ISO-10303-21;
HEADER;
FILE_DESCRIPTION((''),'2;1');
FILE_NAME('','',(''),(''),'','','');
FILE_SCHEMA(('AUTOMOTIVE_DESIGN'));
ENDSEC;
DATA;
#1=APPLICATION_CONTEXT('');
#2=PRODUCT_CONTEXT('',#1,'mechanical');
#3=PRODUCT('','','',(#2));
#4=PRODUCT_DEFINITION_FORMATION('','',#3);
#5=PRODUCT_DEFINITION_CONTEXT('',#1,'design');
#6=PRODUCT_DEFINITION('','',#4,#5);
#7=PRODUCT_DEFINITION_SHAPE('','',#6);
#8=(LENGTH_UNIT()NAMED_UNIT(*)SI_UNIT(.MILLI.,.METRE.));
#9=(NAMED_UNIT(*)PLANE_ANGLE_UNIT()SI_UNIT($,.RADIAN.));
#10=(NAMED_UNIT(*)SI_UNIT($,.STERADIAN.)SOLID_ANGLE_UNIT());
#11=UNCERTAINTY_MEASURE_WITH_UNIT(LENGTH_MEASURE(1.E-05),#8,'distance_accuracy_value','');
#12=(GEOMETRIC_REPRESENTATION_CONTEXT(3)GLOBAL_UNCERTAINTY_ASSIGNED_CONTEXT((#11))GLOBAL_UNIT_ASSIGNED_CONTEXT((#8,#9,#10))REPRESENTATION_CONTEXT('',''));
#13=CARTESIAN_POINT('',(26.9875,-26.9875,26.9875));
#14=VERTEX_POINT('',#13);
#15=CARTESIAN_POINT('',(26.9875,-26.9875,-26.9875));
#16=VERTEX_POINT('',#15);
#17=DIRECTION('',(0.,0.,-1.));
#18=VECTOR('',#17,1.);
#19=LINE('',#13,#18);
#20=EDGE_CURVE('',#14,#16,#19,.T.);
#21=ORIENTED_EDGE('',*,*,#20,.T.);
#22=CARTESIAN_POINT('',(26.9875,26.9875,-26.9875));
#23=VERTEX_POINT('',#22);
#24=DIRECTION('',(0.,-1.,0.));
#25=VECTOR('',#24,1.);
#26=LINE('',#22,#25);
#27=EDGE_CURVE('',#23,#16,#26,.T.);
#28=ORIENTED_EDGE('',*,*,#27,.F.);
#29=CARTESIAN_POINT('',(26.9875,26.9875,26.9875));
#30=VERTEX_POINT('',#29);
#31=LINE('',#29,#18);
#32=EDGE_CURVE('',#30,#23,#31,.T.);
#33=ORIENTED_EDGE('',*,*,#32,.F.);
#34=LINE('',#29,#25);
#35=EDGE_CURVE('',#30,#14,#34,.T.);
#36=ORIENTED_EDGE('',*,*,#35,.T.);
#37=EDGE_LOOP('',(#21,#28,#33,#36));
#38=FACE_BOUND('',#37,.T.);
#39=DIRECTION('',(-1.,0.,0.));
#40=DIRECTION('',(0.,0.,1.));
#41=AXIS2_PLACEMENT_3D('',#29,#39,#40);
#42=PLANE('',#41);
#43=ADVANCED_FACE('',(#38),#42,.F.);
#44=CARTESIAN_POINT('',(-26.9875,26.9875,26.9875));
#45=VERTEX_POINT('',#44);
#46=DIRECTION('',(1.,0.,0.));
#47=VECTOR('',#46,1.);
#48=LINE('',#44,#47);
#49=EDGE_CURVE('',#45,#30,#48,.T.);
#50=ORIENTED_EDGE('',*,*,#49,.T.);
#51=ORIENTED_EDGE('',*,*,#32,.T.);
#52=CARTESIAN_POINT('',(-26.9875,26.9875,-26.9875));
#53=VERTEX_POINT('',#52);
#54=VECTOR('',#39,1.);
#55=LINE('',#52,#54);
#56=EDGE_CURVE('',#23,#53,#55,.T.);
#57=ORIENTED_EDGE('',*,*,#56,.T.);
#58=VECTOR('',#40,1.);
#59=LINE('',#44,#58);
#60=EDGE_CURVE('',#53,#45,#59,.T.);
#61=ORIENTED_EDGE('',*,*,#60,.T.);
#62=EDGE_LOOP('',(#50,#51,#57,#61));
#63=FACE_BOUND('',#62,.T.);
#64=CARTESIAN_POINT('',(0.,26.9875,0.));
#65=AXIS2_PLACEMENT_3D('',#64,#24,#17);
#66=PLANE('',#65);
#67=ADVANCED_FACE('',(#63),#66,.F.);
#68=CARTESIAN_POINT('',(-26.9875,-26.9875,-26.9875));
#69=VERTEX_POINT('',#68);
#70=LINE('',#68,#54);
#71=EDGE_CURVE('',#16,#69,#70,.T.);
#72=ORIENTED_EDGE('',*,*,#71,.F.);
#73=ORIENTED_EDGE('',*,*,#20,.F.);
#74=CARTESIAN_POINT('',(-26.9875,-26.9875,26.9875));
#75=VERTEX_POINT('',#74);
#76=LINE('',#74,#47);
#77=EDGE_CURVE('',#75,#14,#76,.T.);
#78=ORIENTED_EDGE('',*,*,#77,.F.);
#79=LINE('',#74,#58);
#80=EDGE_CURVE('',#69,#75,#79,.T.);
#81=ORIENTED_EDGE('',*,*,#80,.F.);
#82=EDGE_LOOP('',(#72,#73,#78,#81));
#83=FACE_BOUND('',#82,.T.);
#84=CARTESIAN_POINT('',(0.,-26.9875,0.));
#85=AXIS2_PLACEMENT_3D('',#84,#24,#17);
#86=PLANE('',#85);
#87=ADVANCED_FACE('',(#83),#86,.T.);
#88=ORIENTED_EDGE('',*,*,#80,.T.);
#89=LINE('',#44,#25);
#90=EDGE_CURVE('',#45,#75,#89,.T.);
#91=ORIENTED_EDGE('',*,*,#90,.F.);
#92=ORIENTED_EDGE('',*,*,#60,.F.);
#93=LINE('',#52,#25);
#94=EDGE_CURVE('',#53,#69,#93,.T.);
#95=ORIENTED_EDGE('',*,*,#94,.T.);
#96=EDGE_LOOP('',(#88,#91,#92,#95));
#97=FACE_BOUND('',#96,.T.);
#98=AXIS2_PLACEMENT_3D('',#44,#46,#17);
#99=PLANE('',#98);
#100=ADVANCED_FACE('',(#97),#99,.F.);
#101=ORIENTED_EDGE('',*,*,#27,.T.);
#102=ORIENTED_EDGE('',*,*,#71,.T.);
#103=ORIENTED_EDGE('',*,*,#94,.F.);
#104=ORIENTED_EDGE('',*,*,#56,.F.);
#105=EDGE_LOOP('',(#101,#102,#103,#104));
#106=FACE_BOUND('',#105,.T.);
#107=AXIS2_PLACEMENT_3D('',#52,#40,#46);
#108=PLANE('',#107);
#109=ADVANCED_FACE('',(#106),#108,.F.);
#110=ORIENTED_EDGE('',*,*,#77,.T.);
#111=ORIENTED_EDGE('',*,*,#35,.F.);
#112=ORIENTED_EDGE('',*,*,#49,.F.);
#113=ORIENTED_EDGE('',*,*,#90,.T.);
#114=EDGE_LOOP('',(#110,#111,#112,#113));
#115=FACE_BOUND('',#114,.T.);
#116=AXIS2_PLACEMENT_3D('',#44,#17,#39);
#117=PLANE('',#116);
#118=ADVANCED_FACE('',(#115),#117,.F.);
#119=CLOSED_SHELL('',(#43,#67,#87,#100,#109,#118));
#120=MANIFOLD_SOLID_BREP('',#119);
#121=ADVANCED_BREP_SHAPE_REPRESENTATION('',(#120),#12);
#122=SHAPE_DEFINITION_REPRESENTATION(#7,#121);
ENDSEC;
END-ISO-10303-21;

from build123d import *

# Parameters (mm, degrees)
SKETCH1_W           = 53.975
SKETCH1_H           = 53.975
BOSS_EXTRUDE1_DEPTH = 26.9875


with BuildPart() as part:
    # Sketch1 → Boss-Extrude1 (new body, symmetric)
    with BuildSketch(Plane(origin=(0, 0, 0), x_dir=(1, 0, 0), z_dir=(0, 1, 0))):
        Rectangle(SKETCH1_W, SKETCH1_H)
    extrude(amount=BOSS_EXTRUDE1_DEPTH, both=True)


solid = part.part
